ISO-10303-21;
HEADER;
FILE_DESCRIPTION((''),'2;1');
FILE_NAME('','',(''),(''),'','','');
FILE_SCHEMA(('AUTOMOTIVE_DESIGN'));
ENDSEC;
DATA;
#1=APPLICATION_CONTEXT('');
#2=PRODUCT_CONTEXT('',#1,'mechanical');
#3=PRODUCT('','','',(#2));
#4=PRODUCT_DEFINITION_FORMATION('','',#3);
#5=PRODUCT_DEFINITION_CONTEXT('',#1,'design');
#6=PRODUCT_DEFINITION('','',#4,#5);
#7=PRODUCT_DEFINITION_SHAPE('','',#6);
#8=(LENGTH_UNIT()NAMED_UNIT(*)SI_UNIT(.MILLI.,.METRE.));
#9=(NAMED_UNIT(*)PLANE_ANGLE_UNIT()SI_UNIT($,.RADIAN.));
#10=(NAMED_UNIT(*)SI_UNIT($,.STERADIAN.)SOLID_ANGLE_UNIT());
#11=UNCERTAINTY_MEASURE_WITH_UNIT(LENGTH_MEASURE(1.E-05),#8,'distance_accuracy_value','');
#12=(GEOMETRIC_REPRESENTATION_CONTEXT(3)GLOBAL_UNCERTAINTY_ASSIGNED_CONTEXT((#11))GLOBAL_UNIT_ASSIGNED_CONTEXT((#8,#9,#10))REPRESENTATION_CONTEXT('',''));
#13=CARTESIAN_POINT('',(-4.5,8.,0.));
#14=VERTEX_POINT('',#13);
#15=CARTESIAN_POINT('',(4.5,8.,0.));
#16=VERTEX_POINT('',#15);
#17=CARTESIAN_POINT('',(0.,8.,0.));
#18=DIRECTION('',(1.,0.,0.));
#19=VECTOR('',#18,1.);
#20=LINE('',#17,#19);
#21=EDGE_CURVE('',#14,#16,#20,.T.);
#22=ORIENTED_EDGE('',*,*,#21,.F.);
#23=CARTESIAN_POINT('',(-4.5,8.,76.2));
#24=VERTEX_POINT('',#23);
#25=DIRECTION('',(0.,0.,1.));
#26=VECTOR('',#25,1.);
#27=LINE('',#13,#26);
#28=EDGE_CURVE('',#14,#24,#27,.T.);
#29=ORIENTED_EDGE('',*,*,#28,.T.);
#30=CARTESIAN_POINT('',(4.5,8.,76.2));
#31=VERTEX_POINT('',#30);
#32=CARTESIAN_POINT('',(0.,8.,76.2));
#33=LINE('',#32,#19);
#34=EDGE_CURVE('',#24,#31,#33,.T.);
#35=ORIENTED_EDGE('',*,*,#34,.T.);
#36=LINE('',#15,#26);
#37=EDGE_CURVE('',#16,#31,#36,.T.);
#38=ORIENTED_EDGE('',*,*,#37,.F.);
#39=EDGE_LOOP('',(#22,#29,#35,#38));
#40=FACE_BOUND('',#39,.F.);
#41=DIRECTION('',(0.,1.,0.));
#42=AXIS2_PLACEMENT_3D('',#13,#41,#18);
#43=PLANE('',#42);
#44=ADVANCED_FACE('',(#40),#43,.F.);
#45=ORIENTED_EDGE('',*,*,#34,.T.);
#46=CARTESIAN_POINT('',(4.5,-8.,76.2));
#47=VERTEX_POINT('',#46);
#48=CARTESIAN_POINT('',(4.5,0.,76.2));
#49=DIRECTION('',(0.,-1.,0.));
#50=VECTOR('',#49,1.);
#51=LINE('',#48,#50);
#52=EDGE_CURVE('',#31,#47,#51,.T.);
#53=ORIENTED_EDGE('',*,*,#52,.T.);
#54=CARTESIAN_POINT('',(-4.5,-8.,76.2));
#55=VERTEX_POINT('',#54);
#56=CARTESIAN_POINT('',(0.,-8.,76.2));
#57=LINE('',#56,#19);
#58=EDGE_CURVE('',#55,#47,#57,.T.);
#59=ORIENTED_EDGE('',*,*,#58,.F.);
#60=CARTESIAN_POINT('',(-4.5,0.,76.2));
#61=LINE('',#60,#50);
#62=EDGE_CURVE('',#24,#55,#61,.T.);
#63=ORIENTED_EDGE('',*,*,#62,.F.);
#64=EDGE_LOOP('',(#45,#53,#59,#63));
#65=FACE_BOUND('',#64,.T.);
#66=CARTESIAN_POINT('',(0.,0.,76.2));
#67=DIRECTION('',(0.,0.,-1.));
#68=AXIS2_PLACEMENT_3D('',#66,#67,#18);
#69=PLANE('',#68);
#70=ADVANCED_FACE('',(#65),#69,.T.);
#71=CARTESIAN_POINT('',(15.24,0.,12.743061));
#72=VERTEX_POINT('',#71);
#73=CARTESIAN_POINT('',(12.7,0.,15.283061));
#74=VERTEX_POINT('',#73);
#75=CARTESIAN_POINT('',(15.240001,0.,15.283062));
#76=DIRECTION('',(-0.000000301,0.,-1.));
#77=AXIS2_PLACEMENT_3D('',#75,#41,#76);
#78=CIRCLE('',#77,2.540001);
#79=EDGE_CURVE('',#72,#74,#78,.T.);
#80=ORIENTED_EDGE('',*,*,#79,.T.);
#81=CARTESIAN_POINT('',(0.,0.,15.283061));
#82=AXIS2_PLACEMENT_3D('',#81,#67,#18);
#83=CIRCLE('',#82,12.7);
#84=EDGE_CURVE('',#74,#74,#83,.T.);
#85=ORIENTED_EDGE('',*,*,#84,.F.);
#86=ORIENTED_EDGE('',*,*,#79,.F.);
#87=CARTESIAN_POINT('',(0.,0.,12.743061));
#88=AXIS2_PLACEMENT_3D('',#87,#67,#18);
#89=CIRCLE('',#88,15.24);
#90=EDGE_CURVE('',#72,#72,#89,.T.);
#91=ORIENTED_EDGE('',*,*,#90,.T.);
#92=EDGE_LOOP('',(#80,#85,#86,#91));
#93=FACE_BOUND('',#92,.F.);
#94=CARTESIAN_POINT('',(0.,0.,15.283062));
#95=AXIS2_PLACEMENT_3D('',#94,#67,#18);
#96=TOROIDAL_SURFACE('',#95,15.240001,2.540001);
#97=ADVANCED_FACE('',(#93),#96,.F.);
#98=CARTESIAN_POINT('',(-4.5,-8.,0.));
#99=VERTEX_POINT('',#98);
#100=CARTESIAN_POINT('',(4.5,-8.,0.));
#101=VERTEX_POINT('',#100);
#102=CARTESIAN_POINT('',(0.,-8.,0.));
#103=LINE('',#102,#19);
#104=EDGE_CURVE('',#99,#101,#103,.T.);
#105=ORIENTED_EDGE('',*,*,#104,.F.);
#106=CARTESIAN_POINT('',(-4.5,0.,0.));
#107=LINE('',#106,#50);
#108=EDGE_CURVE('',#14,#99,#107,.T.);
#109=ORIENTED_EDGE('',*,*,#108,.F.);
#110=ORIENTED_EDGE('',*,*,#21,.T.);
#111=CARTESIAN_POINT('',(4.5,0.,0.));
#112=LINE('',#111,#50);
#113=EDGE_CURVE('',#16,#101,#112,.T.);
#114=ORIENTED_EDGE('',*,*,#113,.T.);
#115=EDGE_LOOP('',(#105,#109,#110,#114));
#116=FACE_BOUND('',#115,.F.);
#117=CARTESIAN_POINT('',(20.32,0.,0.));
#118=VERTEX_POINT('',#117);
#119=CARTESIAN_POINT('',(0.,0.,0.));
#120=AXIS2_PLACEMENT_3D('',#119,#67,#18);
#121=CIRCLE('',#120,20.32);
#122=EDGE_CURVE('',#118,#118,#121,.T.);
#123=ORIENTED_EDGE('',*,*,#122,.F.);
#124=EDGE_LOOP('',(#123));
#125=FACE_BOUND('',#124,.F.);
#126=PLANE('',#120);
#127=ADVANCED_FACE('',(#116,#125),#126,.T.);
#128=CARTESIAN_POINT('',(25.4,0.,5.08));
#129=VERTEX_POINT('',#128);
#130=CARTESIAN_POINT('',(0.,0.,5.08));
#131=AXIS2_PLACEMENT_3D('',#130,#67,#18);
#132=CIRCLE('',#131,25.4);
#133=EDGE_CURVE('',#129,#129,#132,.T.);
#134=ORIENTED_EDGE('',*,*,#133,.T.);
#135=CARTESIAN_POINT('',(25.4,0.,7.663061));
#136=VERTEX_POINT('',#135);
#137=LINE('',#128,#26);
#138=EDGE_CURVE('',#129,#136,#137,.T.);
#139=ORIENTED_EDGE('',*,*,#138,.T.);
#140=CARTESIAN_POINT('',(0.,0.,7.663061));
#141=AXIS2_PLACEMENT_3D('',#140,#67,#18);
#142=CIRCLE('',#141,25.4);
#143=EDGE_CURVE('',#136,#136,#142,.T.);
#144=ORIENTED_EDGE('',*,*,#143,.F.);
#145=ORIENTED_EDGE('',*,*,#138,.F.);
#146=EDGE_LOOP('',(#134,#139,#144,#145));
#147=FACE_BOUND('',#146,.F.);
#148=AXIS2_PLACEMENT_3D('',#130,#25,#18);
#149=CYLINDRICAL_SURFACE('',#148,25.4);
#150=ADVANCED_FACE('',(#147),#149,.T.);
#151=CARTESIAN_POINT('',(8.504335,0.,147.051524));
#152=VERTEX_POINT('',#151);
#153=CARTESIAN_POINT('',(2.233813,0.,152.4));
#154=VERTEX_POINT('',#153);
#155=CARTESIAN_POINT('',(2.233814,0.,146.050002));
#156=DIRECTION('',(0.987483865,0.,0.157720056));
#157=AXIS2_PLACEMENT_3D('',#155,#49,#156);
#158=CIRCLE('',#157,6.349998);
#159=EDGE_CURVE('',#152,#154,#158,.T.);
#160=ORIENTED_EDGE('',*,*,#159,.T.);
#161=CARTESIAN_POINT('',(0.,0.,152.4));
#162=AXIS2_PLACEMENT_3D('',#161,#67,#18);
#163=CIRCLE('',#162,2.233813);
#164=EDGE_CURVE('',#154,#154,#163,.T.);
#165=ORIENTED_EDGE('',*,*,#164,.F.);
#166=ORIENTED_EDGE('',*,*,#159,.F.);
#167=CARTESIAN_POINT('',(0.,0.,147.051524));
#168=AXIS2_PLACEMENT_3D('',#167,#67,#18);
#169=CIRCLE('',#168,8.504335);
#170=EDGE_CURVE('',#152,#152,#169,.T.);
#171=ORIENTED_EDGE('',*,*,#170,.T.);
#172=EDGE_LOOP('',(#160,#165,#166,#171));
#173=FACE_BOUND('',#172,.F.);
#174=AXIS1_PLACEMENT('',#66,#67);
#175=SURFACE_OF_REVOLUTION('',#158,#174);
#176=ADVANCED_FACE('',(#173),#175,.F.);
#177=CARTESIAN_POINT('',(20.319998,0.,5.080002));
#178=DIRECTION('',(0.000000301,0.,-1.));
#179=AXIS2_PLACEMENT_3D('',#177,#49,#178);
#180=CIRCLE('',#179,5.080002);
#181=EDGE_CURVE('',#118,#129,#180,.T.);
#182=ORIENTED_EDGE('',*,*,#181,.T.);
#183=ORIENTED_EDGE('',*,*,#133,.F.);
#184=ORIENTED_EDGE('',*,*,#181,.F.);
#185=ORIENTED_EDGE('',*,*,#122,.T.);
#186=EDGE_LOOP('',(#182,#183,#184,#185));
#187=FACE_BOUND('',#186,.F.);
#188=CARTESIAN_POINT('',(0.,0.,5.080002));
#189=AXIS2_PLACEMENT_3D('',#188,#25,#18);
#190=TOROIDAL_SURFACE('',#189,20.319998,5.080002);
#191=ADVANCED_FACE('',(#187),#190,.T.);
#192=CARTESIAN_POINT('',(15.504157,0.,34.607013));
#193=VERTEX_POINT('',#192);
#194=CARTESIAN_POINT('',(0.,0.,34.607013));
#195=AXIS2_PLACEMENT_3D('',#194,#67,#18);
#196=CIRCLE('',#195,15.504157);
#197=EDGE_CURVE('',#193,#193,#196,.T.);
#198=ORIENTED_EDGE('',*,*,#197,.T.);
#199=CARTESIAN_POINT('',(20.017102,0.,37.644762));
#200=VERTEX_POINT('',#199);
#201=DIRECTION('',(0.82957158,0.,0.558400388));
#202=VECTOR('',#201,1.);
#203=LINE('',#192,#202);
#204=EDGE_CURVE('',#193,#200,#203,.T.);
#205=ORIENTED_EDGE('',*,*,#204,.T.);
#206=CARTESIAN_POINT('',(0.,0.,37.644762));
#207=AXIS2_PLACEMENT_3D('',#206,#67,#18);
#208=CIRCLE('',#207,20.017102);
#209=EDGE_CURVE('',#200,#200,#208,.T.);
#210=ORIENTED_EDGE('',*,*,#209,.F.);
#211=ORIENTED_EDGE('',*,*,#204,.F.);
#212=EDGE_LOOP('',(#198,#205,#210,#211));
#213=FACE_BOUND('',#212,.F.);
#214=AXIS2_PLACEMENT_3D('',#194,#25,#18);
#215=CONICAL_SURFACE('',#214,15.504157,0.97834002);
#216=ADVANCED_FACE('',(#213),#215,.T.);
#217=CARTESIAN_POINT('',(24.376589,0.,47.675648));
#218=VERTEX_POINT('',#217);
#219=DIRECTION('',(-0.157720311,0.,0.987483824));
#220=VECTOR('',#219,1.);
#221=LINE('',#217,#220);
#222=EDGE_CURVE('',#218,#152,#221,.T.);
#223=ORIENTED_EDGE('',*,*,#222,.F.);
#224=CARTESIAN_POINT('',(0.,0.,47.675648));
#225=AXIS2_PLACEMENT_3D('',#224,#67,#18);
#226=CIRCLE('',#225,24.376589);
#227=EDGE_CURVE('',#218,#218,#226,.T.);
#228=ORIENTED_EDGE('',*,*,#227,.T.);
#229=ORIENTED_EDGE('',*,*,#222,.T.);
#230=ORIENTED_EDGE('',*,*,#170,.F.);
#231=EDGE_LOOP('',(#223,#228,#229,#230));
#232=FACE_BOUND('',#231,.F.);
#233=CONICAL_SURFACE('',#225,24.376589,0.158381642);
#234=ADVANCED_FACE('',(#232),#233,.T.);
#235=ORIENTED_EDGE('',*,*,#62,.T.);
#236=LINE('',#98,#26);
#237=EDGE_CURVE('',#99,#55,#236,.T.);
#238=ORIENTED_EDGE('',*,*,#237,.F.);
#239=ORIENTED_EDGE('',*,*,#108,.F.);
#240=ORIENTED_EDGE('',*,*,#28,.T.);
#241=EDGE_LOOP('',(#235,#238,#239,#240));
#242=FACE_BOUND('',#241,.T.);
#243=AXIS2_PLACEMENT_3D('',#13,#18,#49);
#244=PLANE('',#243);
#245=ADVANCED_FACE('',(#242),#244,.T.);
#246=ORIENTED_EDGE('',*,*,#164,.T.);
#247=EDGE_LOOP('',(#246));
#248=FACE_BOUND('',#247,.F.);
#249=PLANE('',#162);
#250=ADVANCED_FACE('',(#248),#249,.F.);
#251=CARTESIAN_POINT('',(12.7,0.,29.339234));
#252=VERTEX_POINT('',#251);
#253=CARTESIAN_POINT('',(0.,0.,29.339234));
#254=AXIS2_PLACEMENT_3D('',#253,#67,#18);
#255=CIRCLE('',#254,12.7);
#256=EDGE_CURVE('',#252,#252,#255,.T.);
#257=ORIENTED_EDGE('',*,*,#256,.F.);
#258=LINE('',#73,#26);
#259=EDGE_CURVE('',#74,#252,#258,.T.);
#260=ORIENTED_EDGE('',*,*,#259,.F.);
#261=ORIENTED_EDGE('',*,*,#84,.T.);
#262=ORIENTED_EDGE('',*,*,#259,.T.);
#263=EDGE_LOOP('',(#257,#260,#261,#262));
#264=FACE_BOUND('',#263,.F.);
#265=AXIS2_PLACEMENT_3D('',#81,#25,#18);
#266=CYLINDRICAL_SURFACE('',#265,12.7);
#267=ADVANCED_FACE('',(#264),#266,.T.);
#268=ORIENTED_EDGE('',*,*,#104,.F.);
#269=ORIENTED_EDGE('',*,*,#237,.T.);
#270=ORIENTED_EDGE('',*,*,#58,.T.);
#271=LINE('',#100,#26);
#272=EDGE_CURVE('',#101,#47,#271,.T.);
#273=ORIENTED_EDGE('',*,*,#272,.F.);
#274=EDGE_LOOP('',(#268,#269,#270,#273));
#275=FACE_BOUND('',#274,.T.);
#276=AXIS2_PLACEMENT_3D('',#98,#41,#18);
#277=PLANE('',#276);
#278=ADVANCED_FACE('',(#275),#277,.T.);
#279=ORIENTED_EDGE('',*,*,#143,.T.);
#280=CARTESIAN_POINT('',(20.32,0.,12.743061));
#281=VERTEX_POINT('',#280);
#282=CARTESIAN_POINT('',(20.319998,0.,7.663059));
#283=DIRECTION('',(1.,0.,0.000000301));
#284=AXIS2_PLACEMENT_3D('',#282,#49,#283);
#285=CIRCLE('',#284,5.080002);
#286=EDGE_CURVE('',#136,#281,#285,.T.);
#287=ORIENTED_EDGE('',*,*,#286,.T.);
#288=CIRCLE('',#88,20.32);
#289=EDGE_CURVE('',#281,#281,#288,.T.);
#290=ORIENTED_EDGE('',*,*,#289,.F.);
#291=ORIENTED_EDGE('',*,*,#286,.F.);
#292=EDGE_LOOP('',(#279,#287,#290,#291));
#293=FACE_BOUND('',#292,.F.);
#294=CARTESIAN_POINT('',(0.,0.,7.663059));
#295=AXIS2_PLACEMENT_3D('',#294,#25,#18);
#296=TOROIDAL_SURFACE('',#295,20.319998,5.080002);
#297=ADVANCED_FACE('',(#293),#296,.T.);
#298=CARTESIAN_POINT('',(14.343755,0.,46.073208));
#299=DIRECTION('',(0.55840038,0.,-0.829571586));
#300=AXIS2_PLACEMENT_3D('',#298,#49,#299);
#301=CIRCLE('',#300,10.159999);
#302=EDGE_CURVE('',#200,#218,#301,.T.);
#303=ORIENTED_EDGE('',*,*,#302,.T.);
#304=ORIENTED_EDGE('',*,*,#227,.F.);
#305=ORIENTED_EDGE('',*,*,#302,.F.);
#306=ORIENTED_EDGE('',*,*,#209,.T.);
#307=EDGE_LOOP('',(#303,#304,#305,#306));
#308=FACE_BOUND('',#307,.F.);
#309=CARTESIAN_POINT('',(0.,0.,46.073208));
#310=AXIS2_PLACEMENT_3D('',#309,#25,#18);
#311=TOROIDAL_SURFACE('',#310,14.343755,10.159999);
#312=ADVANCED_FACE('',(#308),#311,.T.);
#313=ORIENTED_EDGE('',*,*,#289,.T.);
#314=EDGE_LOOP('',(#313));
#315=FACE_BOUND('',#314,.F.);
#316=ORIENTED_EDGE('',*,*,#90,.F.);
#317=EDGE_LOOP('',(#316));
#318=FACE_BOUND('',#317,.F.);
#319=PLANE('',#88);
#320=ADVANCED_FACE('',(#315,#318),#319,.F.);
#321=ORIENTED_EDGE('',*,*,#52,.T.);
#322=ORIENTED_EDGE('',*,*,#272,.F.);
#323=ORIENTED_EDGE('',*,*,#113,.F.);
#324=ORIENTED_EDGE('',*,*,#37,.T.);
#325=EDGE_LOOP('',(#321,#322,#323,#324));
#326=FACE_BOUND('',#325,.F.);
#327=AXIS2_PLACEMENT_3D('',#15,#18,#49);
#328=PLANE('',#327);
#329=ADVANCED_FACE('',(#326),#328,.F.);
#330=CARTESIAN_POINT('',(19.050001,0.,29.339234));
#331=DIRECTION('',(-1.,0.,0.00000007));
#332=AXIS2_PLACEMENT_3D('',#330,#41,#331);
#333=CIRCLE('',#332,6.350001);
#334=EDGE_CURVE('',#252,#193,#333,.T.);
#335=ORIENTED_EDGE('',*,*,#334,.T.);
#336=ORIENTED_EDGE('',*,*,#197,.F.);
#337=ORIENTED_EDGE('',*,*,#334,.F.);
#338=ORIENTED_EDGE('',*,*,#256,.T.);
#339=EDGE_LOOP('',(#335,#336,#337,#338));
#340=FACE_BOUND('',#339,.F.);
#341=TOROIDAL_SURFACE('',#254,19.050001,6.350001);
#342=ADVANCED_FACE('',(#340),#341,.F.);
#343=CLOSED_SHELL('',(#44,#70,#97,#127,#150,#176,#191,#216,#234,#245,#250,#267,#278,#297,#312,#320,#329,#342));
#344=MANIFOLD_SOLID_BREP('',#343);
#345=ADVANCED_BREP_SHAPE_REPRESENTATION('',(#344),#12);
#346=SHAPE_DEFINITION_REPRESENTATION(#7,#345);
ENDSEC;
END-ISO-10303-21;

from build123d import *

# Parameters (mm, degrees)
F2_W     = 9
F2_H     = 16
F3_DEPTH = 76.2


with BuildPart() as f1:
    # F0 (on Front) → F1 (revolve)
    with BuildSketch(Plane.XZ):
        with BuildLine():
            Line((2.233813, 152.4), (0, 152.4))
            Line((0, 152.4), (0, 0))
            Line((0, 0), (20.32, 0))
            ThreePointArc((20.32, 0), (23.912102, 1.487898), (25.4, 5.08))
            Line((25.4, 5.08), (25.4, 7.663061))
            ThreePointArc((25.4, 7.663061), (23.912102, 11.255163), (20.32, 12.743061))
            Line((20.32, 12.743061), (15.24, 12.743061))
            ThreePointArc((15.24, 12.743061), (13.443949, 13.48701), (12.7, 15.283061))
            Line((12.7, 15.283061), (12.7, 29.339234))
            ThreePointArc((12.7, 29.339234), (13.444708, 32.323057), (15.504157, 34.607013))
            Line((15.504157, 34.607013), (20.017102, 37.644762))
            ThreePointArc((20.017102, 37.644762), (23.661786, 42.023533), (24.376589, 47.675648))
            Line((24.376589, 47.675648), (8.504335, 147.051524))
            ThreePointArc((8.504335, 147.051524), (6.354664, 150.881262), (2.233813, 152.4))
        make_face()
    revolve(axis=Axis((0, 0, 76.2), (0, 0, -1)))

    # F2 (on face) → F3 (cut)
    with BuildSketch(Plane(origin=(0, 0, 0), x_dir=(1, 0, 0), z_dir=(0, 0, -1))):
        Rectangle(F2_W, F2_H)
    extrude(amount=-F3_DEPTH, mode=Mode.SUBTRACT)


solid = f1.part
